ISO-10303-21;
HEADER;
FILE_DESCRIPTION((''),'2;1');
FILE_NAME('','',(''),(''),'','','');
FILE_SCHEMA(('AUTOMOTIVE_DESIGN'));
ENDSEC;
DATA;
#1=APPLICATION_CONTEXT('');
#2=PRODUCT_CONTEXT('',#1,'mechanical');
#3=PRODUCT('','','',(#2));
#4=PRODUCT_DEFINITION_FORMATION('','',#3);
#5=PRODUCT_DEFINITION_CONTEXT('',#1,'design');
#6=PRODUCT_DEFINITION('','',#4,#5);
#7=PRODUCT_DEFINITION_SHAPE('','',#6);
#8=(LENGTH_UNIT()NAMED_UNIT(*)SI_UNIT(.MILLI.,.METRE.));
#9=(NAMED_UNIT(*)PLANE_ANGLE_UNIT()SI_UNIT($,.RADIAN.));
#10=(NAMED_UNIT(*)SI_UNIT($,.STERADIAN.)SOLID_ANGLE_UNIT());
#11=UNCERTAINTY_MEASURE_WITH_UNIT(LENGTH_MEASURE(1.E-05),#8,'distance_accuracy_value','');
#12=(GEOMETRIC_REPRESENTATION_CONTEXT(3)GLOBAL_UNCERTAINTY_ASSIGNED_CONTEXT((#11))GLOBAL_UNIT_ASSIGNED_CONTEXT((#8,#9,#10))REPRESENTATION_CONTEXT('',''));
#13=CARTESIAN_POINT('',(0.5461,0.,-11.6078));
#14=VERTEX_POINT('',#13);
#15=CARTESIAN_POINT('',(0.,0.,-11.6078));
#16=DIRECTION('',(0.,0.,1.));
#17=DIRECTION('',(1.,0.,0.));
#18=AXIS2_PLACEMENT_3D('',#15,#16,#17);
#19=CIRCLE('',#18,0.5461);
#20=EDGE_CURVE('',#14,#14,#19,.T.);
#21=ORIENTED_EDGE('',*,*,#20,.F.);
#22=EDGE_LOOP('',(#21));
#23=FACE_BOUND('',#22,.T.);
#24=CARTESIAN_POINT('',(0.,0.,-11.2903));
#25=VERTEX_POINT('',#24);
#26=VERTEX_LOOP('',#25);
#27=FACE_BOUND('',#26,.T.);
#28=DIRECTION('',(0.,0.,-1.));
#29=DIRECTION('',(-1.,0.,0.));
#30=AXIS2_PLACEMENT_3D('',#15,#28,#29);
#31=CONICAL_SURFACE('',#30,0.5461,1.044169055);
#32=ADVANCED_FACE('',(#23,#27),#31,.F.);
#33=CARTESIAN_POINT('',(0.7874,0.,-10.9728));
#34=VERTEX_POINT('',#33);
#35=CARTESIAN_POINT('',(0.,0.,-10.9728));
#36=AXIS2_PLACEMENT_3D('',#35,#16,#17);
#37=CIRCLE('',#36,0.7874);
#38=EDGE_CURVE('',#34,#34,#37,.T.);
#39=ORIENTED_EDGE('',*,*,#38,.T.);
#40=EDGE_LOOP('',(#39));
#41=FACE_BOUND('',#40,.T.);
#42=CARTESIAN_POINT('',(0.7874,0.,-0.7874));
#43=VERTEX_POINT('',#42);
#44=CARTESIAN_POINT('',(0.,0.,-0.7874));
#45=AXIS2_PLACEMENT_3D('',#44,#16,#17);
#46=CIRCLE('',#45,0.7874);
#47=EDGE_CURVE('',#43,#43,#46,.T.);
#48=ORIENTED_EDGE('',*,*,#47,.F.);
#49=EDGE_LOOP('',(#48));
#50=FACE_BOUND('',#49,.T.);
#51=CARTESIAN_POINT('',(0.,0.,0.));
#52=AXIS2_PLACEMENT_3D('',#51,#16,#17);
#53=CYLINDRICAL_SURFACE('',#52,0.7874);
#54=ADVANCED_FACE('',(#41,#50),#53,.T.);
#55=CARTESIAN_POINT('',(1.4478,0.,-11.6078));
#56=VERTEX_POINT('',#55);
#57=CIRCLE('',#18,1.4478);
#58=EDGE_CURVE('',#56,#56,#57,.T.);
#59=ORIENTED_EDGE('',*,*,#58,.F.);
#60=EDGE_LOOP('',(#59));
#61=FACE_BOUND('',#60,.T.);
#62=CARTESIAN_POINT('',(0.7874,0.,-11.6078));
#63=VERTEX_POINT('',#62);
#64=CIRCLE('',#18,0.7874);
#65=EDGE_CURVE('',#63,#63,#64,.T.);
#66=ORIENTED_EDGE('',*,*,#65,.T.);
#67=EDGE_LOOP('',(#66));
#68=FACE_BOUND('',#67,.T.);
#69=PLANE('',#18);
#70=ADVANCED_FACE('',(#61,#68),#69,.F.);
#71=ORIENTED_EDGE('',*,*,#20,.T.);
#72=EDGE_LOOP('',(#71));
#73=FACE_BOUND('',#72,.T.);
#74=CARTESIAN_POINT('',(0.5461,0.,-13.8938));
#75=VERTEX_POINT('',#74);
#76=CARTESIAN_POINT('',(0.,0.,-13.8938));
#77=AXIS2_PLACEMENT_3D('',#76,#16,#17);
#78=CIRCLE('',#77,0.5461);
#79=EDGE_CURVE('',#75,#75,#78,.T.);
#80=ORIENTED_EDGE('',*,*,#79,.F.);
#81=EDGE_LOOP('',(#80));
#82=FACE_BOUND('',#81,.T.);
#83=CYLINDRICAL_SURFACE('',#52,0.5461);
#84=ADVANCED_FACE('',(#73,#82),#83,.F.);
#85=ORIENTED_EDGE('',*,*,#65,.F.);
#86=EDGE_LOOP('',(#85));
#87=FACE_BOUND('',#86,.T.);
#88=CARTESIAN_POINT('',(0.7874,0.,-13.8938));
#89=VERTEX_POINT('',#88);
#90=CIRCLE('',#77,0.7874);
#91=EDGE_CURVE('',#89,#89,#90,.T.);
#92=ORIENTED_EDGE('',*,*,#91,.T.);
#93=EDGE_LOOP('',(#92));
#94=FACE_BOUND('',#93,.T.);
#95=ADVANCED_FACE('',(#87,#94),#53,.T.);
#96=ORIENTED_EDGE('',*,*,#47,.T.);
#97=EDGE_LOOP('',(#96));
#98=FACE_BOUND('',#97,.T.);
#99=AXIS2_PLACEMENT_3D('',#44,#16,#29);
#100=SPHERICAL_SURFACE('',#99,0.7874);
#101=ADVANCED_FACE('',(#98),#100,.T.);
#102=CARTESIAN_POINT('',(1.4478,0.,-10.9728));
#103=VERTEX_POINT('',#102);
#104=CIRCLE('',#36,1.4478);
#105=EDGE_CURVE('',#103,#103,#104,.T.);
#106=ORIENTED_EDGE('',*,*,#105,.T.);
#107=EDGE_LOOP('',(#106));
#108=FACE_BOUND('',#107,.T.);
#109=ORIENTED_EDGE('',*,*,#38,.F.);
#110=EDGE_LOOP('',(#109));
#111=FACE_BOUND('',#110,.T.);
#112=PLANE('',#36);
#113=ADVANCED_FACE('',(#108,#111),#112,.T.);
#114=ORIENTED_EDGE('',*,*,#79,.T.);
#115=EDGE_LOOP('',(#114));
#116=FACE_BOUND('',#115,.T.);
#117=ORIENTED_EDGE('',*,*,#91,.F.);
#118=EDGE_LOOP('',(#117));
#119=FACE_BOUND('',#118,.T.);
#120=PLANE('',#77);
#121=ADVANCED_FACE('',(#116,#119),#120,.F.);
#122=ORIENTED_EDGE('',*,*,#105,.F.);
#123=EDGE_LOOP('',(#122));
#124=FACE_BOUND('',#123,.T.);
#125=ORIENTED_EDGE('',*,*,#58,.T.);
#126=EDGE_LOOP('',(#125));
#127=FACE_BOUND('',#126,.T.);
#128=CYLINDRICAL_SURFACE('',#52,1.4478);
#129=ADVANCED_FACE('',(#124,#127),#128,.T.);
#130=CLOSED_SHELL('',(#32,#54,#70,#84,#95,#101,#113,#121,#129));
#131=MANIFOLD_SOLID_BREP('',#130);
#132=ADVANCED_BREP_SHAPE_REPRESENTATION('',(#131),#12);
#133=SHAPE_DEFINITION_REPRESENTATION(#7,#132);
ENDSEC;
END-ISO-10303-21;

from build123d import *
from build123d.topology import SkipClean

# Parameters (mm, degrees)
SKETCH1_W = 0.2413
SKETCH1_H = 2.286


with BuildPart() as part:
    # Sketch1 → Revolve1 (revolve)
    with SkipClean():  # the faces are left unmerged after this step: merging them gives an invalid solid
        with BuildSketch(Plane(origin=(0, 0, 0), x_dir=(1, 0, 0), z_dir=(0, 1, 0))):
            with BuildLine():
                ThreePointArc((0.7874, 0.7874), (0.55677588, 1.34417588), (0, 1.5748))
                Line((0, 1.5748), (0, 0))
                ThreePointArc((0, 0), (0.55677588, 0.23062412), (0.7874, 0.7874))
            make_face()
            with BuildLine():
                Line((0, 0), (0, 1.5748))
                ThreePointArc((0, 1.5748), (-0.7874, 0.7874), (0, 0))
            make_face()
            with BuildLine():
                Line((0.7874, 10.9728), (0, 10.9728))
                Line((0, 10.9728), (0, 1.5748))
                ThreePointArc((0, 1.5748), (0.55677588, 1.34417588), (0.7874, 0.7874))
                Line((0.7874, 0.7874), (0.7874, 10.9728))
            make_face()
            Polygon((0.7874, 11.6078), (0.5461, 11.6078), (0, 11.2903), (0, 10.9728), (0.7874, 10.9728), (1.4478, 10.9728), (1.4478, 11.6078), align=None)
            with Locations((0.66675, 12.7508)):
                Rectangle(SKETCH1_W, SKETCH1_H)
        revolve(axis=Axis((0, 0, 0), (0, 0, -1)))


solid = part.part
